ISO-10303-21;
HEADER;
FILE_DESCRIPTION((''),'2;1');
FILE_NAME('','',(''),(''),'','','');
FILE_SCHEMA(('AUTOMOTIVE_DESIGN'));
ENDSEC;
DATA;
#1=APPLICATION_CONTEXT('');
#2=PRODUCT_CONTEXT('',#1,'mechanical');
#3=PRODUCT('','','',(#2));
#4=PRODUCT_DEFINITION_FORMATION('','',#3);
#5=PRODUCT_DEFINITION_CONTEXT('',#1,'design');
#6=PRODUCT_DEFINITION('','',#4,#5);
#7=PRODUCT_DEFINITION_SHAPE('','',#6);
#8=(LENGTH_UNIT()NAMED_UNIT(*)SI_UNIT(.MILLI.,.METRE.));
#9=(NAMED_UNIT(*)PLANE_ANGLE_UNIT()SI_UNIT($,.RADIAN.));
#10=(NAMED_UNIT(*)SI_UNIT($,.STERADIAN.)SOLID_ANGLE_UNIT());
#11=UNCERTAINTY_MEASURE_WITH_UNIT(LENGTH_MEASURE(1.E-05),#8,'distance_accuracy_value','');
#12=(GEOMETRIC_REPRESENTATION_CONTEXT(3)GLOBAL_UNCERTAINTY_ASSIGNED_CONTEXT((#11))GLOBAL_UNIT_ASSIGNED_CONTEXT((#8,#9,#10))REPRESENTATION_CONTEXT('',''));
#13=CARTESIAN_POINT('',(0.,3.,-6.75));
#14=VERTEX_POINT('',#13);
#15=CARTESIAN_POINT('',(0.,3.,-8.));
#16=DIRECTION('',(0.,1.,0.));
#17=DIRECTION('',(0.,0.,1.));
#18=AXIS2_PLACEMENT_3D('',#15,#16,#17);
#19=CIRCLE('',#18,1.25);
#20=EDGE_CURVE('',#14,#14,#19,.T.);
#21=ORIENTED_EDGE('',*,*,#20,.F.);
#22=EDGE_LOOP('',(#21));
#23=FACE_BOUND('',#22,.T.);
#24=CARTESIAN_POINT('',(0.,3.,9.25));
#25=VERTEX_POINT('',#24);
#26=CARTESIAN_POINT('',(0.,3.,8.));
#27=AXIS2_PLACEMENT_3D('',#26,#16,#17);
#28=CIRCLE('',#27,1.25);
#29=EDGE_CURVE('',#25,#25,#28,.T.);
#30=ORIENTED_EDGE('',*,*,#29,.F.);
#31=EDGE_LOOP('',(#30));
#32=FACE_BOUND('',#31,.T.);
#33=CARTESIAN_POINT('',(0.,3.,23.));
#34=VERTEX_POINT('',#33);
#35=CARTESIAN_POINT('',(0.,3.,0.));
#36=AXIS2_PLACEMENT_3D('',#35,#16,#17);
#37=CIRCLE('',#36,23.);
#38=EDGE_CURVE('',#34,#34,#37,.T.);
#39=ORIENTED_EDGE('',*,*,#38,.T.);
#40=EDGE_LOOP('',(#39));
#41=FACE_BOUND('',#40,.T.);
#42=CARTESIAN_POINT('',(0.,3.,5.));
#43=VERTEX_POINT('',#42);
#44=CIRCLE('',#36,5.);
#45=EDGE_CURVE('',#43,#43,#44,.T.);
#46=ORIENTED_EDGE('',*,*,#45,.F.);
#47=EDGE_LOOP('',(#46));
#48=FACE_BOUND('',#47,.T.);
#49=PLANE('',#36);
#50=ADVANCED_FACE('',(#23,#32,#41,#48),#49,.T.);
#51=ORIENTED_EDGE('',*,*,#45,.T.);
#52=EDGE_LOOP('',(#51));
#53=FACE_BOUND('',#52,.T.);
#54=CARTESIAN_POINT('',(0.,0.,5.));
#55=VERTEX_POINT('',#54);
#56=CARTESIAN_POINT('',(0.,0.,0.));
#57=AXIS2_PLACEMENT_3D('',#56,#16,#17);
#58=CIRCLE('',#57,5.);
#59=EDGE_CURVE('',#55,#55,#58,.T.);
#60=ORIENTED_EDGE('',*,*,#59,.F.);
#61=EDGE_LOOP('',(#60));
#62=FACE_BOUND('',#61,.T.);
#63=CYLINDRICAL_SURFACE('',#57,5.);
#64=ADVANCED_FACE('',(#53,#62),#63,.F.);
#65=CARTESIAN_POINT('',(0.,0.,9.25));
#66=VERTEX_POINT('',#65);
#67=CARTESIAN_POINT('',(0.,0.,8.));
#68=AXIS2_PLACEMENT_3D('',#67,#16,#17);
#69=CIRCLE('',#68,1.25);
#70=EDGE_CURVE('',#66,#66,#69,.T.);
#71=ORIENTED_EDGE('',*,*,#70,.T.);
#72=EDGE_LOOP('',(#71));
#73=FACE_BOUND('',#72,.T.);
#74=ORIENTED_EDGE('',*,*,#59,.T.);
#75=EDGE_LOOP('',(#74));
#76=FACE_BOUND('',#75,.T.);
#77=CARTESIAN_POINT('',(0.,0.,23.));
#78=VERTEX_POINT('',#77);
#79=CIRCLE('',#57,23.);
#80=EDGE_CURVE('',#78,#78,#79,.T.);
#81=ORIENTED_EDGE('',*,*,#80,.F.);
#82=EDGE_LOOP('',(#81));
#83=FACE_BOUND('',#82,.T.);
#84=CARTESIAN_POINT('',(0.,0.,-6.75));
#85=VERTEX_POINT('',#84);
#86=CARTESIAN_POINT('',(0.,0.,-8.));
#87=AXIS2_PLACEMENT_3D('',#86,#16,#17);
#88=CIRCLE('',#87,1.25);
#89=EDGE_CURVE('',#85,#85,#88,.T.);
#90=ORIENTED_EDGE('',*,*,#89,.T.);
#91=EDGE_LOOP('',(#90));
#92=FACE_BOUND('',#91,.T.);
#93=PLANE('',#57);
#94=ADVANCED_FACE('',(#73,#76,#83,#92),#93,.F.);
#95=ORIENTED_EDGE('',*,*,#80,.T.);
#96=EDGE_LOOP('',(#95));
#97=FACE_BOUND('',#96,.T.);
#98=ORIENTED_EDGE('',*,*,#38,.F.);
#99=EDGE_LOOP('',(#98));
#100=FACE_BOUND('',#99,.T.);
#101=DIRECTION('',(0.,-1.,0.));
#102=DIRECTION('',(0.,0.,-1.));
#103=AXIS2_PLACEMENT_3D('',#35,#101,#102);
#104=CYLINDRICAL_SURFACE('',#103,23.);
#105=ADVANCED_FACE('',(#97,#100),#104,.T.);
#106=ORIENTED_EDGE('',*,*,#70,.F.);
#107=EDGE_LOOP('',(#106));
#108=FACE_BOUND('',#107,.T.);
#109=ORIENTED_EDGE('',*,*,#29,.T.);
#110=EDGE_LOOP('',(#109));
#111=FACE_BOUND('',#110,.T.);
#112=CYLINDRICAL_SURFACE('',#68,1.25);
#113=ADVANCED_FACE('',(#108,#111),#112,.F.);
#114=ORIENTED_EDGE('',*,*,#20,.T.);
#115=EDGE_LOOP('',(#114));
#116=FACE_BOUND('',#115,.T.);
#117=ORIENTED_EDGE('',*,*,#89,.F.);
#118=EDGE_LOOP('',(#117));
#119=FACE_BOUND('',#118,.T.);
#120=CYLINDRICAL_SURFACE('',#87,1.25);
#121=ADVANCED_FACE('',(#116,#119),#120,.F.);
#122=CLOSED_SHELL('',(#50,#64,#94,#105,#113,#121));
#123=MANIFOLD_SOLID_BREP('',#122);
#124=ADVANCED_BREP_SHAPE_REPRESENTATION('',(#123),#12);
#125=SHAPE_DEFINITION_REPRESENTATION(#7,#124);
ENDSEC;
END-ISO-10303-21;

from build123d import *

# Parameters (mm, degrees)
SKETCH1_R           = 23
BOSS_EXTRUDE1_DEPTH = 3
SKETCH2_R           = 5
CUT_EXTRUDE1_DEPTH  = 33.664965942
SKETCH3_R           = 1.25
CUT_EXTRUDE2_DEPTH  = 33.664965942


with BuildPart() as part:
    # Sketch1 → Boss-Extrude1 (new body)
    with BuildSketch(Plane(origin=(0, 0, 0), x_dir=(1, 0, 0), z_dir=(0, 1, 0))):
        with Locations(Location((0, 0, 0), (0, 0, 270))):
            Circle(SKETCH1_R)
    extrude(amount=BOSS_EXTRUDE1_DEPTH)

    # Sketch2 → Cut-Extrude1 (cut, through all)
    with BuildSketch(Plane(origin=(0, 3, 0), x_dir=(1, 0, 0), z_dir=(0, 1, 0))):
        with Locations(Location((0, 0, 0), (0, 0, 270))):
            Circle(SKETCH2_R)
    extrude(amount=-CUT_EXTRUDE1_DEPTH, mode=Mode.SUBTRACT)

    # Sketch3 → Cut-Extrude2 (cut, through all)
    with BuildSketch(Plane(origin=(0, 3, 0), x_dir=(1, 0, 0), z_dir=(0, 1, 0))):
        with Locations(Location((0, 8, 0), (0, 0, 270))):
            Circle(SKETCH3_R)
        with Locations(Location((0, -8, 0), (0, 0, 270))):
            Circle(SKETCH3_R)
    extrude(amount=-CUT_EXTRUDE2_DEPTH, mode=Mode.SUBTRACT)


solid = part.part
